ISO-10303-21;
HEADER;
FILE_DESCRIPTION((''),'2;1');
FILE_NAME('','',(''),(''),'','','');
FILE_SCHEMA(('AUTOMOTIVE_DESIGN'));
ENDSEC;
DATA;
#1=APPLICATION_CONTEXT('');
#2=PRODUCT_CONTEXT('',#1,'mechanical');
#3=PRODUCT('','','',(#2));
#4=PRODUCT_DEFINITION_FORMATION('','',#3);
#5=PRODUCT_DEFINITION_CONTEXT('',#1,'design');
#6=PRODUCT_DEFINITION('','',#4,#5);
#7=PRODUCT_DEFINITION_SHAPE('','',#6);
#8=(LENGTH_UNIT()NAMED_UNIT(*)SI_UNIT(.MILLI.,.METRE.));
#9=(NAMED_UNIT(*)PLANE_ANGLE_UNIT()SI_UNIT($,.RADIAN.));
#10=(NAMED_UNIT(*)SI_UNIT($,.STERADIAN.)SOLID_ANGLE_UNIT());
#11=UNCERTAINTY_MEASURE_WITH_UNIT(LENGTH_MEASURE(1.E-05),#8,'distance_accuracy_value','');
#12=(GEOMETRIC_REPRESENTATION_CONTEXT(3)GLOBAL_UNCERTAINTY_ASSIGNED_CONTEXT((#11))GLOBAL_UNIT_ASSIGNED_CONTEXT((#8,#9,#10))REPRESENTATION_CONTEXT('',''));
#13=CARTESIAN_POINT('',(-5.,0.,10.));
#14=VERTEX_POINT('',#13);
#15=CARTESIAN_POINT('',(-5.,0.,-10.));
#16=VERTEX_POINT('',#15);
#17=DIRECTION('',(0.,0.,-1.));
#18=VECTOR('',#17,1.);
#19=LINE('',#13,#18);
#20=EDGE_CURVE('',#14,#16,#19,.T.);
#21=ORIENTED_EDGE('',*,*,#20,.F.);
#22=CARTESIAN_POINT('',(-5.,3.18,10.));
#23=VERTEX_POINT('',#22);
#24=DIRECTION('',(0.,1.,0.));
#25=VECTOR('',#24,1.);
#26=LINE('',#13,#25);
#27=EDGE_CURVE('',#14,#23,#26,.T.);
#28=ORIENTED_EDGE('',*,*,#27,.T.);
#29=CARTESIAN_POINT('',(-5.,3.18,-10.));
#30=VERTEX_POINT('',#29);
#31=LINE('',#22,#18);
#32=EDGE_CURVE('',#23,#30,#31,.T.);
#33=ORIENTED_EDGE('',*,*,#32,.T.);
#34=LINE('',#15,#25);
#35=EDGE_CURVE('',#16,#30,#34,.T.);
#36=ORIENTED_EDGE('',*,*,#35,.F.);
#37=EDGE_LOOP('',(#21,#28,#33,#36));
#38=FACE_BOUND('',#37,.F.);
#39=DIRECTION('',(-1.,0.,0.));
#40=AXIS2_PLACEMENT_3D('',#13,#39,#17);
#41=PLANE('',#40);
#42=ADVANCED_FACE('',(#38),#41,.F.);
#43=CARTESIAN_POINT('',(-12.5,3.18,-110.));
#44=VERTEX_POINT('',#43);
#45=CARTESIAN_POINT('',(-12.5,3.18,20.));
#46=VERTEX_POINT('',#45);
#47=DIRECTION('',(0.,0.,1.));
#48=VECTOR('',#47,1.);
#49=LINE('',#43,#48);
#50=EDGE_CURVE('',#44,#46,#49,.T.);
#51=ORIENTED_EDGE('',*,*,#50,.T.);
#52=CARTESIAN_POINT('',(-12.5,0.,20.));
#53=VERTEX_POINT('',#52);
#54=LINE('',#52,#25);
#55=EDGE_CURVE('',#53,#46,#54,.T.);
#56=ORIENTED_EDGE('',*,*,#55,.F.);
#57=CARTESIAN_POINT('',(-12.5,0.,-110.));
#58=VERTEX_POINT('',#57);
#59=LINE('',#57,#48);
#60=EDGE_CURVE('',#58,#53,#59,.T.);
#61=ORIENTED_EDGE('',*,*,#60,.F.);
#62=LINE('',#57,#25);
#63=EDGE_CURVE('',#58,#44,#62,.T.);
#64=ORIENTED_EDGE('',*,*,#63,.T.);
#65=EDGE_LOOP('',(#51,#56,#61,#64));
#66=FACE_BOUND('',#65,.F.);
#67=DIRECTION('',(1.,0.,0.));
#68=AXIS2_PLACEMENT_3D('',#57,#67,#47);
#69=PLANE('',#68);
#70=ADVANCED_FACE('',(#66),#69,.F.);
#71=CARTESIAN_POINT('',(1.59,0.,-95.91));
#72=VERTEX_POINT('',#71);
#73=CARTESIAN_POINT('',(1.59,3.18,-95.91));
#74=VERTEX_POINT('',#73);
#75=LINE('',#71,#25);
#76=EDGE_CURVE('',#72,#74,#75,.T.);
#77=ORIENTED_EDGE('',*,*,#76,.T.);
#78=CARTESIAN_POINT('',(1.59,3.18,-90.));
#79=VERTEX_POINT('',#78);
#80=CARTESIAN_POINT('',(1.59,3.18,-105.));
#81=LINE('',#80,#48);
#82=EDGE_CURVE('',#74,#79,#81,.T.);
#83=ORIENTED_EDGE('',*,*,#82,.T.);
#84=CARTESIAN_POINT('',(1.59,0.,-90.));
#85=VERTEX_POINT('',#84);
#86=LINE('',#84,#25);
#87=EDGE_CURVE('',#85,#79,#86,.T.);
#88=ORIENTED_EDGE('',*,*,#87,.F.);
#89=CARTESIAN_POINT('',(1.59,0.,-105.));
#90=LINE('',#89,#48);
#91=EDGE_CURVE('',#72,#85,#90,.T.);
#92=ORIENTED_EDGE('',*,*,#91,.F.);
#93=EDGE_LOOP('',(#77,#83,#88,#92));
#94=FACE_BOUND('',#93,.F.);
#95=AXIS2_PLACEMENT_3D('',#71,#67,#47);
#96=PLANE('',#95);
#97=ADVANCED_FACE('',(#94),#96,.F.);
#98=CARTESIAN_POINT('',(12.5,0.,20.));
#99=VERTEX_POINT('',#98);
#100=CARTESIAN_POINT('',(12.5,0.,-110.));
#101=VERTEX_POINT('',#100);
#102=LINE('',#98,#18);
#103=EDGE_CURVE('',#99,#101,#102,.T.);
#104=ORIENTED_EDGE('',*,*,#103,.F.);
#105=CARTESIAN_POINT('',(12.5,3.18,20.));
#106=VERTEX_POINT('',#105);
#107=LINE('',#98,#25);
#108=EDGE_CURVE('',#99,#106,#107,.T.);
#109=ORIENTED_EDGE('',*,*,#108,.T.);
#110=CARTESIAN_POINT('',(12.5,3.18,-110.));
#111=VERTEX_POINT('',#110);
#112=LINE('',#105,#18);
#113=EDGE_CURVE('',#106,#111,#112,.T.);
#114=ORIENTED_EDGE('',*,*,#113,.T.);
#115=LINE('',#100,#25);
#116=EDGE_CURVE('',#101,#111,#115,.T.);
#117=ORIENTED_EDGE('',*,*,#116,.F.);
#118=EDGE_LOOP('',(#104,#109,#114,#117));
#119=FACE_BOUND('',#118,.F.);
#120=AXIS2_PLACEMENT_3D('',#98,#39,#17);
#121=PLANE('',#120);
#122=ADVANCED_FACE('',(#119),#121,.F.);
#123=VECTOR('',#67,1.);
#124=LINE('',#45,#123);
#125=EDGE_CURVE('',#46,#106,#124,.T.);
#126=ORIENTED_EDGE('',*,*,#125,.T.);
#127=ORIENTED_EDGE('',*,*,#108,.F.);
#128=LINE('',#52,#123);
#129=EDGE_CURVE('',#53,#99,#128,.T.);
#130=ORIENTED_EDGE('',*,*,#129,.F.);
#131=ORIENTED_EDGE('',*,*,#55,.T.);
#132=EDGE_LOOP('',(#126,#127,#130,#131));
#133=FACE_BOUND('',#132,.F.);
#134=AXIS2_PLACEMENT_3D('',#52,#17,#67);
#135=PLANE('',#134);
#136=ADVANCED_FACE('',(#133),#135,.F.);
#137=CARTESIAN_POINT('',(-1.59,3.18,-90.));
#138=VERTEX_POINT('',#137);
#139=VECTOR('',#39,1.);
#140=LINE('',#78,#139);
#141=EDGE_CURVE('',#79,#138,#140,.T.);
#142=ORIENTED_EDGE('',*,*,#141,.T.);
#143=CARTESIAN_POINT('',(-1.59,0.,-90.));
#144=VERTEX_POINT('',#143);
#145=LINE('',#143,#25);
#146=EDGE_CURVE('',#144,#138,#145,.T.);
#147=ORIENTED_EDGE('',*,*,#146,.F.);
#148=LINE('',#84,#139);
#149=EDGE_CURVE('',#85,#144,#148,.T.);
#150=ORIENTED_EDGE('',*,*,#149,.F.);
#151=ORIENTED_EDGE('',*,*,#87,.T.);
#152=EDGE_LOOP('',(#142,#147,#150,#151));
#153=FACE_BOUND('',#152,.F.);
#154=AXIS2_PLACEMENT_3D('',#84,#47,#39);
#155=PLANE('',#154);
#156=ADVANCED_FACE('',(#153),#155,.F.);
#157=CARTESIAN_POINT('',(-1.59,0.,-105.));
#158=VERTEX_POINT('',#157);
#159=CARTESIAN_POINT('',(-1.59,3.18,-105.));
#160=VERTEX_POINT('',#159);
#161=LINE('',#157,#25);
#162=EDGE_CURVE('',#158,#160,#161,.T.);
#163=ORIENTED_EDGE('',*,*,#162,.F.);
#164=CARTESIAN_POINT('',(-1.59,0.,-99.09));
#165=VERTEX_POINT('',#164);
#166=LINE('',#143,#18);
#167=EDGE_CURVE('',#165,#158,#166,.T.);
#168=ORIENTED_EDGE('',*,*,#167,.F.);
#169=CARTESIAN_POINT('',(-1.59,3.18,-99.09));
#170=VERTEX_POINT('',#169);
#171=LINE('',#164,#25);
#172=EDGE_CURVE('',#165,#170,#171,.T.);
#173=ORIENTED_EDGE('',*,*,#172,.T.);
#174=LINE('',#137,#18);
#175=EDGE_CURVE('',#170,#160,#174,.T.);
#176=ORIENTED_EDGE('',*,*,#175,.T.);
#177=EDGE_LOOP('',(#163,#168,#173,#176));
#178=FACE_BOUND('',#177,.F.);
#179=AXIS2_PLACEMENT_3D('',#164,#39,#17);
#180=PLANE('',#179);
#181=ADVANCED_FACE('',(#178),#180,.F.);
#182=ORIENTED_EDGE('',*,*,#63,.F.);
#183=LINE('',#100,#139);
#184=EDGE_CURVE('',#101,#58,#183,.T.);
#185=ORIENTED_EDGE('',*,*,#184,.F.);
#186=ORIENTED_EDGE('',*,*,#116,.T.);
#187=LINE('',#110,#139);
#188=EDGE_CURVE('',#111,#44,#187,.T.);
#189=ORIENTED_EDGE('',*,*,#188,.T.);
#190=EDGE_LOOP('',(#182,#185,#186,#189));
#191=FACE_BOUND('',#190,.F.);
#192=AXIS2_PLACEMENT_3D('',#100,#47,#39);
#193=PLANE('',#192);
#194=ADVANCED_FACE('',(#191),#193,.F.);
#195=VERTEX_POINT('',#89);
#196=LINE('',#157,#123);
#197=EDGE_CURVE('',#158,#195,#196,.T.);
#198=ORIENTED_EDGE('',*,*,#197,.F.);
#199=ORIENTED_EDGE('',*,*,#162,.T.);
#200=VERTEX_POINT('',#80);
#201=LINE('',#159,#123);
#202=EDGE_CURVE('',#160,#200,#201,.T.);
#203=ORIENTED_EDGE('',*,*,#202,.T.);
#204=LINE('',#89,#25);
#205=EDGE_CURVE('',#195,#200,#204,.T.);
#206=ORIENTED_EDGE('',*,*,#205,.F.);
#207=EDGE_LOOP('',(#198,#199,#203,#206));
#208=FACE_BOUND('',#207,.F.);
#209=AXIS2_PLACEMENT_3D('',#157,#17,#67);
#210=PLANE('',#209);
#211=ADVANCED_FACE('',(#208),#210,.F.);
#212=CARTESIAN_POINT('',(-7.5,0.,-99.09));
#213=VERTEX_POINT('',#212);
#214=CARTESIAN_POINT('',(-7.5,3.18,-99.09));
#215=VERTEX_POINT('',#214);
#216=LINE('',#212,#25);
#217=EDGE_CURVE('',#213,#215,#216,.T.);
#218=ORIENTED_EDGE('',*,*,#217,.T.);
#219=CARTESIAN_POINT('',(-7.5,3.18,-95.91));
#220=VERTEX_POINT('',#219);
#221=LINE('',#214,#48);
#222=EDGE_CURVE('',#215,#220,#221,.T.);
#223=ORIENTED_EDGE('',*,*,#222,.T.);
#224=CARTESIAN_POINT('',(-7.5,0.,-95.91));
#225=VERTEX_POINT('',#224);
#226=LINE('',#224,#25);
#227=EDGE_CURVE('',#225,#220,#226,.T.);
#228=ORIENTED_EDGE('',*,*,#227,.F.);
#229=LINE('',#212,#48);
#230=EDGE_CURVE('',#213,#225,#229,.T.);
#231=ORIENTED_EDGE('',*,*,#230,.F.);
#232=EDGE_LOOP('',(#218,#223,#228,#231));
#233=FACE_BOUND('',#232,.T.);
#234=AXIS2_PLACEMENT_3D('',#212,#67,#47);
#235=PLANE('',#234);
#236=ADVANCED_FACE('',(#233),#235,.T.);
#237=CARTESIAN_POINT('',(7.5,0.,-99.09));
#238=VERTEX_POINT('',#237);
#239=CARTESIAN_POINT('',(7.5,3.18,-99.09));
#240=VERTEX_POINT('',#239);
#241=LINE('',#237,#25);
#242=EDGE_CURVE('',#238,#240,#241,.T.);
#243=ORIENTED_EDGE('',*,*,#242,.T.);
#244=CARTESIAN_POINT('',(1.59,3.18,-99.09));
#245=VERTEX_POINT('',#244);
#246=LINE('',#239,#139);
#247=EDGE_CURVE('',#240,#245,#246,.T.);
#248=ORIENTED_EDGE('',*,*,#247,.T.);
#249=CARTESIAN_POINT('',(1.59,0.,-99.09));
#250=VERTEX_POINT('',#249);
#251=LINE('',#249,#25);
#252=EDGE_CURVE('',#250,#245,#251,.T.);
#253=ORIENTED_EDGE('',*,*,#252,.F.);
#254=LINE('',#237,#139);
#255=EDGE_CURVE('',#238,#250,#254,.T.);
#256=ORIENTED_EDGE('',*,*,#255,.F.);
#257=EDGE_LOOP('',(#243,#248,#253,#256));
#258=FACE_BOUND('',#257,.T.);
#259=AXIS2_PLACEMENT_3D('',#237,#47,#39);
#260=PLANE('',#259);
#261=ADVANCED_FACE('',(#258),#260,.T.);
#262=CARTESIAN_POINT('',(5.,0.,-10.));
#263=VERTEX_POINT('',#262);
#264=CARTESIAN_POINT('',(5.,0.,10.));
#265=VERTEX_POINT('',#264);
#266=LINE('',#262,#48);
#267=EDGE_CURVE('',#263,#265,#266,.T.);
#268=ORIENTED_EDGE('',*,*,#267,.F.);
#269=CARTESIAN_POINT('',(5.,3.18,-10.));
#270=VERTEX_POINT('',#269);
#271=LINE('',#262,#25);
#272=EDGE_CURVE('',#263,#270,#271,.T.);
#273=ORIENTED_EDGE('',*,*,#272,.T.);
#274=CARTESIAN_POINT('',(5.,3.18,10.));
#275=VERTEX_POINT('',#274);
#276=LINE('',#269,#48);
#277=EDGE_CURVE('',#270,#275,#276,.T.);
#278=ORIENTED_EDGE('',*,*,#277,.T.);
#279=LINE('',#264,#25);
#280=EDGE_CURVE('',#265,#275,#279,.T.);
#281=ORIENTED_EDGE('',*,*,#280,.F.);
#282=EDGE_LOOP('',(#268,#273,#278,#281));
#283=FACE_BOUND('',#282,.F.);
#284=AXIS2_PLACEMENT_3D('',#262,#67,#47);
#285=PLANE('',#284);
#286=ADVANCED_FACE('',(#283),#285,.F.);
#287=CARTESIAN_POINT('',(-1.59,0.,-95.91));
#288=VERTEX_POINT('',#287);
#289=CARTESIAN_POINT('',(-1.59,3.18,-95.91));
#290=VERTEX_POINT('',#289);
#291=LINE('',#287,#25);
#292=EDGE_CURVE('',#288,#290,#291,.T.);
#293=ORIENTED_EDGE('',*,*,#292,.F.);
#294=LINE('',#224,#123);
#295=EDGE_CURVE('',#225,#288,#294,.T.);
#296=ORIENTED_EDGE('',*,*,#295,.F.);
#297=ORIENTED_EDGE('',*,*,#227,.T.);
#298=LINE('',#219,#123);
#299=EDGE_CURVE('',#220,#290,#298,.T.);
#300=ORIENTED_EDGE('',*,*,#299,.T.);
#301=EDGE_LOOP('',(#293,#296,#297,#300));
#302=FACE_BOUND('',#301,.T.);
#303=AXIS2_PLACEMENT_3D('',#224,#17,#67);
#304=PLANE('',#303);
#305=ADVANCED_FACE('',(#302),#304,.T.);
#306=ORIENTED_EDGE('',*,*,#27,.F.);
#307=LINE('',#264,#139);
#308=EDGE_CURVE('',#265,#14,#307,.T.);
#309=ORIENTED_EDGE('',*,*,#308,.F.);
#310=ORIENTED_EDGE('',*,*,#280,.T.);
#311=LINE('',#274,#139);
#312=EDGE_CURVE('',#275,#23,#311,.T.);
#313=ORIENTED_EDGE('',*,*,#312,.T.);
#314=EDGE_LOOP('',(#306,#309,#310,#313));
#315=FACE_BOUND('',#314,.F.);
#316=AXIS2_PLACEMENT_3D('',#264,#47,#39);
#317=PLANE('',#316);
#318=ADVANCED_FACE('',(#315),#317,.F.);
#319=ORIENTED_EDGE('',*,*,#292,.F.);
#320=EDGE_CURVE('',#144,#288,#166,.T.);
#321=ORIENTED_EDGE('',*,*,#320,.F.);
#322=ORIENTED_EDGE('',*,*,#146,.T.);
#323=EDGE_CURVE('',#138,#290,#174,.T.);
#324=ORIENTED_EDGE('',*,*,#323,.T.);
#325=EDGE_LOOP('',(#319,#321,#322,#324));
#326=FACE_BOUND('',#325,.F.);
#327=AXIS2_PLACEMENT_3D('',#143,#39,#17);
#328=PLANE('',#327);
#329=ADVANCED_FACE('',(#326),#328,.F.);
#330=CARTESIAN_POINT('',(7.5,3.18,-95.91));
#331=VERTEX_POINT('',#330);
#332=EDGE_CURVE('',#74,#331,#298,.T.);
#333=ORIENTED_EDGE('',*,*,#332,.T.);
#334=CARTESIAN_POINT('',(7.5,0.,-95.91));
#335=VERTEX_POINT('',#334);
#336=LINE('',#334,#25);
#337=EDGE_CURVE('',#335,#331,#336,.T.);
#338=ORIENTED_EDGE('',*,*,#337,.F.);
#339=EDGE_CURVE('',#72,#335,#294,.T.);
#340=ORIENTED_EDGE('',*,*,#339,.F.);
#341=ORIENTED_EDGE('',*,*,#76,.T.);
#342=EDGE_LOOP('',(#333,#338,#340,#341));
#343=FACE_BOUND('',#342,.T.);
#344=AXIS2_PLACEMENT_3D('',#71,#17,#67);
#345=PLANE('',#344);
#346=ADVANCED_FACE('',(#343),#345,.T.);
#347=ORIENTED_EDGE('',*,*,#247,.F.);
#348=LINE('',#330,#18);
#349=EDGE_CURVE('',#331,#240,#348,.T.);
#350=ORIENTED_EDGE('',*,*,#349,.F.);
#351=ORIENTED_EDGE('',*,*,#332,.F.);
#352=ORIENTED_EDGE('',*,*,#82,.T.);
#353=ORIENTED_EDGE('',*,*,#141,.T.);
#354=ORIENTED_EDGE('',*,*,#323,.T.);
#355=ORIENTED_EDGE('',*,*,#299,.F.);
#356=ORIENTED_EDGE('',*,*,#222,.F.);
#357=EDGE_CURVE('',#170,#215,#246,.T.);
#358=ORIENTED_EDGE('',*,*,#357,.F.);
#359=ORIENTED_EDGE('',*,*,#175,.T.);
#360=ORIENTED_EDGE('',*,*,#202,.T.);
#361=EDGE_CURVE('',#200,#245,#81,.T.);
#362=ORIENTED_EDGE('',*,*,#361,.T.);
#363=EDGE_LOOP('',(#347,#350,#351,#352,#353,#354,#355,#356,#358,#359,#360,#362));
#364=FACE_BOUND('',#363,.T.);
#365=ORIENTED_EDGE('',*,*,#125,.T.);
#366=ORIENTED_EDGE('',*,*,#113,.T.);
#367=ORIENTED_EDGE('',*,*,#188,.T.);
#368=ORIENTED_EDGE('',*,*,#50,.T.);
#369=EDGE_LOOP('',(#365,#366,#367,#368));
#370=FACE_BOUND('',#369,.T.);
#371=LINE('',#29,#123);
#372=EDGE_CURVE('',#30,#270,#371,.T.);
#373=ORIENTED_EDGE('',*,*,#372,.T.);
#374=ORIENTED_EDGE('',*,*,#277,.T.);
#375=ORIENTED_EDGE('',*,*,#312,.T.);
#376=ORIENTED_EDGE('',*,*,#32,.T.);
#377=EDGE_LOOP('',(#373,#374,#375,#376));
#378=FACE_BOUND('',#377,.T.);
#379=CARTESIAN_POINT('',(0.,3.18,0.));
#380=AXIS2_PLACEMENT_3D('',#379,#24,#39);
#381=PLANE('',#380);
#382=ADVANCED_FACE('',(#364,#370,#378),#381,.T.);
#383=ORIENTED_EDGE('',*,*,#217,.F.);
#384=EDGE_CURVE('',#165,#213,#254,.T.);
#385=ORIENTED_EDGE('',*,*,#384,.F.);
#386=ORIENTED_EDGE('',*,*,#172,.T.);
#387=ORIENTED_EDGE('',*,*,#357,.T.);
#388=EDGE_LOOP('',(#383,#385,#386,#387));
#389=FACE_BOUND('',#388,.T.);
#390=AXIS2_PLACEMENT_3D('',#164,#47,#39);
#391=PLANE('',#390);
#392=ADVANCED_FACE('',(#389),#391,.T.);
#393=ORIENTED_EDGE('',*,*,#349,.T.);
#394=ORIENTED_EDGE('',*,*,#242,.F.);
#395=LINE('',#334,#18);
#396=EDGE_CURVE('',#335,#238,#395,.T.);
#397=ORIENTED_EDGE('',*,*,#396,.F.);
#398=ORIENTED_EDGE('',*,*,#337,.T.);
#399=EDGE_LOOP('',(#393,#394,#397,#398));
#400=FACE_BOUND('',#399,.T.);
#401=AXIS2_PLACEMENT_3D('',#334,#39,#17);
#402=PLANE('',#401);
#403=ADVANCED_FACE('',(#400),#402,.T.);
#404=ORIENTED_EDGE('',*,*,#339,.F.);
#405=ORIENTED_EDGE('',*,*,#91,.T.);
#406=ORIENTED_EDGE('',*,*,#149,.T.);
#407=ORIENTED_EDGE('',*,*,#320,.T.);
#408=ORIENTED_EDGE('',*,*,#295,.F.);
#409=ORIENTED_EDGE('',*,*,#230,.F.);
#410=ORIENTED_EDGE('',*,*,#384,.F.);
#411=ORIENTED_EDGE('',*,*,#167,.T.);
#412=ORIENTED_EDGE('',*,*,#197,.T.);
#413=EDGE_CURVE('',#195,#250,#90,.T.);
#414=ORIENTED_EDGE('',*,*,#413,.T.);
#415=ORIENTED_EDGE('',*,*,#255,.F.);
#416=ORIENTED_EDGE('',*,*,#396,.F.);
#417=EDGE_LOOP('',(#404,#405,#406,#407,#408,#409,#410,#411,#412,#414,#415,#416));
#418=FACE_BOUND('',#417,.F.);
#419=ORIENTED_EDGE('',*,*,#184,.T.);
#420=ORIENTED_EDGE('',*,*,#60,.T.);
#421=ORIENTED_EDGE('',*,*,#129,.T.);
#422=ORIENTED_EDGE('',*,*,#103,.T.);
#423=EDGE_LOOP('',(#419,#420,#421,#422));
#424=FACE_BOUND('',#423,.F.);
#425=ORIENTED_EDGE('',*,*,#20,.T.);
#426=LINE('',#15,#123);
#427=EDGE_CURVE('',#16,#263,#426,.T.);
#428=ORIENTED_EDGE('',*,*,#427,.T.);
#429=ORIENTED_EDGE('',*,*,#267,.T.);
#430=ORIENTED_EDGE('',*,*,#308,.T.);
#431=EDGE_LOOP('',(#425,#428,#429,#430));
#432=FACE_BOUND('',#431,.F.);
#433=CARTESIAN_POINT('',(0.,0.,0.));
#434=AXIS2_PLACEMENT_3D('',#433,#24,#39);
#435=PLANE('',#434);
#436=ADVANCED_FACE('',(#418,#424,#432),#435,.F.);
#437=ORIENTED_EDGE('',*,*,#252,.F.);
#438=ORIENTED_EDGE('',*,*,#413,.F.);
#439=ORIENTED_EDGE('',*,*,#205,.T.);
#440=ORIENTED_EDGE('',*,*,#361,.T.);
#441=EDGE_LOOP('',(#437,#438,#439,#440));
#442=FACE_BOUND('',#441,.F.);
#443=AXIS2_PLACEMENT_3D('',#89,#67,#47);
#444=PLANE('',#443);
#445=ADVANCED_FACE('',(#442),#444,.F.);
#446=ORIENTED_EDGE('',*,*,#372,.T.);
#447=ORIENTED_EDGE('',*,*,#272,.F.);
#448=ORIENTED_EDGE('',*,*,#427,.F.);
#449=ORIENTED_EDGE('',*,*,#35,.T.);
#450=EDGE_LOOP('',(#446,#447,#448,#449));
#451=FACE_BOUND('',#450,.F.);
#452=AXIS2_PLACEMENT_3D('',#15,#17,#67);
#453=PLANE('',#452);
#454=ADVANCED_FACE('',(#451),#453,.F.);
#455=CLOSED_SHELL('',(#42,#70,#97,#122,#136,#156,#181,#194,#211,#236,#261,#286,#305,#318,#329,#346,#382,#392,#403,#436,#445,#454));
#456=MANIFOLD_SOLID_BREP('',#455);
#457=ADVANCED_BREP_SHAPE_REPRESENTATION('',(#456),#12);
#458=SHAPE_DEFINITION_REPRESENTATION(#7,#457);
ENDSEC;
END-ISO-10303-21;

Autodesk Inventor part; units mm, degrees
ref_plane "YZ Plane" through (0, 0, 0) normal (1, 0, 0) x (0, 1, 0)
ref_plane "XZ Plane" through (0, 0, 0) normal (0, 1, 0) x (-1, 0, 0)
ref_plane "XY Plane" through (0, 0, 0) normal (0, 0, 1) x (1, 0, 0)
sketch "Sketch1" plane through (0, 0, 0) normal (0, 1, 0) x (-1, 0, 0)
  line L0 (-5, 10) -> (5, 10)
  line L1 (5, 10) -> (5, -10)
  line L2 (5, -10) -> (-5, -10)
  line L3 (-5, -10) -> (-5, 10)
  line L4 (-5, 10) -> (5, -10) construction
  line L5 (5, 10) -> (-5, -10) construction
  line L6 (12.5, 20) -> (-12.5, 20)
  line L7 (-12.5, 20) -> (-12.5, -110)
  line L8 (-12.5, -110) -> (12.5, -110)
  line L9 (12.5, -110) -> (12.5, 20)
  line L10 (1.59, -105) -> (-1.59, -105)
  line L11 (-1.59, -105) -> (-1.59, -90)
  line L12 (-1.59, -90) -> (1.59, -90)
  line L13 (1.59, -90) -> (1.59, -105)
  line L14 (1.59, -105) -> (-1.59, -90) construction
  line L15 (-1.59, -105) -> (1.59, -90) construction
  line L16 (7.5, -95.91) -> (-7.5, -95.91)
  line L17 (-7.5, -95.91) -> (-7.5, -99.09)
  line L18 (-7.5, -99.09) -> (7.5, -99.09)
  line L19 (7.5, -99.09) -> (7.5, -95.91)
  line L20 (7.5, -95.91) -> (-7.5, -99.09) construction
  line L21 (-7.5, -95.91) -> (7.5, -99.09) construction
  point P0 (0, 0)
  point P1 (0, 0)
  point P2 (0, 0)
  point P3 (0, -97.5)
  dimension "d24" = 10
  dimension "d25" = 20
  dimension "d26" = 25
  dimension "d27" = 130
  dimension "d28" = 20
  dimension "d29" = 12.5
  dimension "d37" = 3.18
  dimension "d38" = 15
  dimension "d39" = 15
  dimension "d40" = 3.18
  dimension "d41" = 12.5
  dimension "d42" = 12.5
extrude "Extrusion3" add sketch "Sketch1" along normal blind 3.18
properties part number "Brazo_Superior"
